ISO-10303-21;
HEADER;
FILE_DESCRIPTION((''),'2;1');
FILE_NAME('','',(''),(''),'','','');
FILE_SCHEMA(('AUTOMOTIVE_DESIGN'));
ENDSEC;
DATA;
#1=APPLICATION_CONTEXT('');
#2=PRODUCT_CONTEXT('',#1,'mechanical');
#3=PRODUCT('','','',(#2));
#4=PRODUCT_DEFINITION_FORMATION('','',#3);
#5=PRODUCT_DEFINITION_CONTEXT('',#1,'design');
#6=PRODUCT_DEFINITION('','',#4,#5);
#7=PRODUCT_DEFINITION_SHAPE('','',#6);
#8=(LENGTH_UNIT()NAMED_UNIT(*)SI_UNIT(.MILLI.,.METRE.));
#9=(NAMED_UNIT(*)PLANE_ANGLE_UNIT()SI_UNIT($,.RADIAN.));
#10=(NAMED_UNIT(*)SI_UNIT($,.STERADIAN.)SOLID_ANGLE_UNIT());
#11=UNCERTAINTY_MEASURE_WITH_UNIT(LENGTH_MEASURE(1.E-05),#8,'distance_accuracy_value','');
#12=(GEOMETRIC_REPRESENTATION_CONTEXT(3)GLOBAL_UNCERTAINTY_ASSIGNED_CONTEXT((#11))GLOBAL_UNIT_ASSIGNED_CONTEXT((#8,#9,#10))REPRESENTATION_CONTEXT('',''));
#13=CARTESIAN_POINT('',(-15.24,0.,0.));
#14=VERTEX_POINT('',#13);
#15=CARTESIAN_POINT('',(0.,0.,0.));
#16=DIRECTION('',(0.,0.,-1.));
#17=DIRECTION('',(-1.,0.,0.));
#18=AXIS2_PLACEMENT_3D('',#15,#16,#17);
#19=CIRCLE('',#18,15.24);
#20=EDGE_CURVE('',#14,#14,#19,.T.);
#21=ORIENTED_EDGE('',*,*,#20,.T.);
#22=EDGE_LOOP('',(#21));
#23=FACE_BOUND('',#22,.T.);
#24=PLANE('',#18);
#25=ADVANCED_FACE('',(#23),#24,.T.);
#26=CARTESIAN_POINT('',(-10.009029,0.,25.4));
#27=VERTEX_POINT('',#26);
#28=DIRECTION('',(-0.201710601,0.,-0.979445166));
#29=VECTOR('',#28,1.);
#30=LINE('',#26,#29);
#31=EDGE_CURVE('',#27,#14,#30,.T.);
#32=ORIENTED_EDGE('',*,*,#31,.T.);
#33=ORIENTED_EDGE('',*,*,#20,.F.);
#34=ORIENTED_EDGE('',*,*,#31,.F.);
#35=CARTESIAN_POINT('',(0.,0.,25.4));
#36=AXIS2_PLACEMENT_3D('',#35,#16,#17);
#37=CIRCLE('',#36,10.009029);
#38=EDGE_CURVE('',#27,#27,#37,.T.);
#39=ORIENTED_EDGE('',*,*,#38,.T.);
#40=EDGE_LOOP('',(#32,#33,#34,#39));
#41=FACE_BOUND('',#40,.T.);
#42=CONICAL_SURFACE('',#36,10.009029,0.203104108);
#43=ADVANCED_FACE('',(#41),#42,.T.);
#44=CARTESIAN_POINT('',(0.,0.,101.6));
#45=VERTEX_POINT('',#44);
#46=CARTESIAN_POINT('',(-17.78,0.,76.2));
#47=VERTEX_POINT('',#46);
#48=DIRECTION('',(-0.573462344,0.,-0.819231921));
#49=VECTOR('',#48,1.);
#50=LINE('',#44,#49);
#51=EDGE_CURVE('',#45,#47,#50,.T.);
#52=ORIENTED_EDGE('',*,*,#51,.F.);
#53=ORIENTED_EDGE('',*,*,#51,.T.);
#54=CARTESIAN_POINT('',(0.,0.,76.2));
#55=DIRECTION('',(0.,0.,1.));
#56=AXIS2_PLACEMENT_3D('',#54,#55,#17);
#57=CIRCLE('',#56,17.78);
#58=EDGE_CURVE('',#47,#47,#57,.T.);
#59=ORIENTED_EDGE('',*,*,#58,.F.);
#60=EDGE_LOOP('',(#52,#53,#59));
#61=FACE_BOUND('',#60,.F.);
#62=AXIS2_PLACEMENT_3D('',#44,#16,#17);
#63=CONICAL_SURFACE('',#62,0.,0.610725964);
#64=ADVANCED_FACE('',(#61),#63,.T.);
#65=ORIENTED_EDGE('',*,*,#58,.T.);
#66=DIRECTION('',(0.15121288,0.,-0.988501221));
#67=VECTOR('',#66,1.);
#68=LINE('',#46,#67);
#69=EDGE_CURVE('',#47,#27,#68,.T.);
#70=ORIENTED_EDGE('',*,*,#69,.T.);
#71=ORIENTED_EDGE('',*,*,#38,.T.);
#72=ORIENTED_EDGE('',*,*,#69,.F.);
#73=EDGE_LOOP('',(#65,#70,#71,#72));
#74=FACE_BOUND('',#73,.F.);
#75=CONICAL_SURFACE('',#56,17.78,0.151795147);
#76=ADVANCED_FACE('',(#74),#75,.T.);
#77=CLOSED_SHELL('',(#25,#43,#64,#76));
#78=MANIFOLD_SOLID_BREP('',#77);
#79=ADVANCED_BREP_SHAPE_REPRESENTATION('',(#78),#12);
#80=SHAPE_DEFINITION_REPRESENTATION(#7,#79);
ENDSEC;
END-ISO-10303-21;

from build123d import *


with BuildPart() as f1:
    # F0 (on Front) → F1 (revolve)
    with BuildSketch(Plane.XZ):
        Polygon((-15.24, 0), (0, 0), (0, 25.4), (-10.009029, 25.4), align=None)
    revolve(axis=Axis((0, 0, 12.7), (0, 0, -1)))

    # F2 (on Front) → F3 (revolve)
    with BuildSketch(Plane.XZ):
        Polygon((-17.78, 76.2), (-10.009029, 25.4), (0, 25.4), (0, 76.2), align=None)
    revolve(axis=Axis((0, 0, 50.8), (0, 0, 1)))

    # F4 (on Front) → F5 (revolve)
    with BuildSketch(Plane.XZ):
        Polygon((0, 101.6), (-17.78, 76.2), (0, 76.2), align=None)
    revolve(axis=Axis((0, 0, 88.9), (0, 0, 1)))


solid = f1.part
